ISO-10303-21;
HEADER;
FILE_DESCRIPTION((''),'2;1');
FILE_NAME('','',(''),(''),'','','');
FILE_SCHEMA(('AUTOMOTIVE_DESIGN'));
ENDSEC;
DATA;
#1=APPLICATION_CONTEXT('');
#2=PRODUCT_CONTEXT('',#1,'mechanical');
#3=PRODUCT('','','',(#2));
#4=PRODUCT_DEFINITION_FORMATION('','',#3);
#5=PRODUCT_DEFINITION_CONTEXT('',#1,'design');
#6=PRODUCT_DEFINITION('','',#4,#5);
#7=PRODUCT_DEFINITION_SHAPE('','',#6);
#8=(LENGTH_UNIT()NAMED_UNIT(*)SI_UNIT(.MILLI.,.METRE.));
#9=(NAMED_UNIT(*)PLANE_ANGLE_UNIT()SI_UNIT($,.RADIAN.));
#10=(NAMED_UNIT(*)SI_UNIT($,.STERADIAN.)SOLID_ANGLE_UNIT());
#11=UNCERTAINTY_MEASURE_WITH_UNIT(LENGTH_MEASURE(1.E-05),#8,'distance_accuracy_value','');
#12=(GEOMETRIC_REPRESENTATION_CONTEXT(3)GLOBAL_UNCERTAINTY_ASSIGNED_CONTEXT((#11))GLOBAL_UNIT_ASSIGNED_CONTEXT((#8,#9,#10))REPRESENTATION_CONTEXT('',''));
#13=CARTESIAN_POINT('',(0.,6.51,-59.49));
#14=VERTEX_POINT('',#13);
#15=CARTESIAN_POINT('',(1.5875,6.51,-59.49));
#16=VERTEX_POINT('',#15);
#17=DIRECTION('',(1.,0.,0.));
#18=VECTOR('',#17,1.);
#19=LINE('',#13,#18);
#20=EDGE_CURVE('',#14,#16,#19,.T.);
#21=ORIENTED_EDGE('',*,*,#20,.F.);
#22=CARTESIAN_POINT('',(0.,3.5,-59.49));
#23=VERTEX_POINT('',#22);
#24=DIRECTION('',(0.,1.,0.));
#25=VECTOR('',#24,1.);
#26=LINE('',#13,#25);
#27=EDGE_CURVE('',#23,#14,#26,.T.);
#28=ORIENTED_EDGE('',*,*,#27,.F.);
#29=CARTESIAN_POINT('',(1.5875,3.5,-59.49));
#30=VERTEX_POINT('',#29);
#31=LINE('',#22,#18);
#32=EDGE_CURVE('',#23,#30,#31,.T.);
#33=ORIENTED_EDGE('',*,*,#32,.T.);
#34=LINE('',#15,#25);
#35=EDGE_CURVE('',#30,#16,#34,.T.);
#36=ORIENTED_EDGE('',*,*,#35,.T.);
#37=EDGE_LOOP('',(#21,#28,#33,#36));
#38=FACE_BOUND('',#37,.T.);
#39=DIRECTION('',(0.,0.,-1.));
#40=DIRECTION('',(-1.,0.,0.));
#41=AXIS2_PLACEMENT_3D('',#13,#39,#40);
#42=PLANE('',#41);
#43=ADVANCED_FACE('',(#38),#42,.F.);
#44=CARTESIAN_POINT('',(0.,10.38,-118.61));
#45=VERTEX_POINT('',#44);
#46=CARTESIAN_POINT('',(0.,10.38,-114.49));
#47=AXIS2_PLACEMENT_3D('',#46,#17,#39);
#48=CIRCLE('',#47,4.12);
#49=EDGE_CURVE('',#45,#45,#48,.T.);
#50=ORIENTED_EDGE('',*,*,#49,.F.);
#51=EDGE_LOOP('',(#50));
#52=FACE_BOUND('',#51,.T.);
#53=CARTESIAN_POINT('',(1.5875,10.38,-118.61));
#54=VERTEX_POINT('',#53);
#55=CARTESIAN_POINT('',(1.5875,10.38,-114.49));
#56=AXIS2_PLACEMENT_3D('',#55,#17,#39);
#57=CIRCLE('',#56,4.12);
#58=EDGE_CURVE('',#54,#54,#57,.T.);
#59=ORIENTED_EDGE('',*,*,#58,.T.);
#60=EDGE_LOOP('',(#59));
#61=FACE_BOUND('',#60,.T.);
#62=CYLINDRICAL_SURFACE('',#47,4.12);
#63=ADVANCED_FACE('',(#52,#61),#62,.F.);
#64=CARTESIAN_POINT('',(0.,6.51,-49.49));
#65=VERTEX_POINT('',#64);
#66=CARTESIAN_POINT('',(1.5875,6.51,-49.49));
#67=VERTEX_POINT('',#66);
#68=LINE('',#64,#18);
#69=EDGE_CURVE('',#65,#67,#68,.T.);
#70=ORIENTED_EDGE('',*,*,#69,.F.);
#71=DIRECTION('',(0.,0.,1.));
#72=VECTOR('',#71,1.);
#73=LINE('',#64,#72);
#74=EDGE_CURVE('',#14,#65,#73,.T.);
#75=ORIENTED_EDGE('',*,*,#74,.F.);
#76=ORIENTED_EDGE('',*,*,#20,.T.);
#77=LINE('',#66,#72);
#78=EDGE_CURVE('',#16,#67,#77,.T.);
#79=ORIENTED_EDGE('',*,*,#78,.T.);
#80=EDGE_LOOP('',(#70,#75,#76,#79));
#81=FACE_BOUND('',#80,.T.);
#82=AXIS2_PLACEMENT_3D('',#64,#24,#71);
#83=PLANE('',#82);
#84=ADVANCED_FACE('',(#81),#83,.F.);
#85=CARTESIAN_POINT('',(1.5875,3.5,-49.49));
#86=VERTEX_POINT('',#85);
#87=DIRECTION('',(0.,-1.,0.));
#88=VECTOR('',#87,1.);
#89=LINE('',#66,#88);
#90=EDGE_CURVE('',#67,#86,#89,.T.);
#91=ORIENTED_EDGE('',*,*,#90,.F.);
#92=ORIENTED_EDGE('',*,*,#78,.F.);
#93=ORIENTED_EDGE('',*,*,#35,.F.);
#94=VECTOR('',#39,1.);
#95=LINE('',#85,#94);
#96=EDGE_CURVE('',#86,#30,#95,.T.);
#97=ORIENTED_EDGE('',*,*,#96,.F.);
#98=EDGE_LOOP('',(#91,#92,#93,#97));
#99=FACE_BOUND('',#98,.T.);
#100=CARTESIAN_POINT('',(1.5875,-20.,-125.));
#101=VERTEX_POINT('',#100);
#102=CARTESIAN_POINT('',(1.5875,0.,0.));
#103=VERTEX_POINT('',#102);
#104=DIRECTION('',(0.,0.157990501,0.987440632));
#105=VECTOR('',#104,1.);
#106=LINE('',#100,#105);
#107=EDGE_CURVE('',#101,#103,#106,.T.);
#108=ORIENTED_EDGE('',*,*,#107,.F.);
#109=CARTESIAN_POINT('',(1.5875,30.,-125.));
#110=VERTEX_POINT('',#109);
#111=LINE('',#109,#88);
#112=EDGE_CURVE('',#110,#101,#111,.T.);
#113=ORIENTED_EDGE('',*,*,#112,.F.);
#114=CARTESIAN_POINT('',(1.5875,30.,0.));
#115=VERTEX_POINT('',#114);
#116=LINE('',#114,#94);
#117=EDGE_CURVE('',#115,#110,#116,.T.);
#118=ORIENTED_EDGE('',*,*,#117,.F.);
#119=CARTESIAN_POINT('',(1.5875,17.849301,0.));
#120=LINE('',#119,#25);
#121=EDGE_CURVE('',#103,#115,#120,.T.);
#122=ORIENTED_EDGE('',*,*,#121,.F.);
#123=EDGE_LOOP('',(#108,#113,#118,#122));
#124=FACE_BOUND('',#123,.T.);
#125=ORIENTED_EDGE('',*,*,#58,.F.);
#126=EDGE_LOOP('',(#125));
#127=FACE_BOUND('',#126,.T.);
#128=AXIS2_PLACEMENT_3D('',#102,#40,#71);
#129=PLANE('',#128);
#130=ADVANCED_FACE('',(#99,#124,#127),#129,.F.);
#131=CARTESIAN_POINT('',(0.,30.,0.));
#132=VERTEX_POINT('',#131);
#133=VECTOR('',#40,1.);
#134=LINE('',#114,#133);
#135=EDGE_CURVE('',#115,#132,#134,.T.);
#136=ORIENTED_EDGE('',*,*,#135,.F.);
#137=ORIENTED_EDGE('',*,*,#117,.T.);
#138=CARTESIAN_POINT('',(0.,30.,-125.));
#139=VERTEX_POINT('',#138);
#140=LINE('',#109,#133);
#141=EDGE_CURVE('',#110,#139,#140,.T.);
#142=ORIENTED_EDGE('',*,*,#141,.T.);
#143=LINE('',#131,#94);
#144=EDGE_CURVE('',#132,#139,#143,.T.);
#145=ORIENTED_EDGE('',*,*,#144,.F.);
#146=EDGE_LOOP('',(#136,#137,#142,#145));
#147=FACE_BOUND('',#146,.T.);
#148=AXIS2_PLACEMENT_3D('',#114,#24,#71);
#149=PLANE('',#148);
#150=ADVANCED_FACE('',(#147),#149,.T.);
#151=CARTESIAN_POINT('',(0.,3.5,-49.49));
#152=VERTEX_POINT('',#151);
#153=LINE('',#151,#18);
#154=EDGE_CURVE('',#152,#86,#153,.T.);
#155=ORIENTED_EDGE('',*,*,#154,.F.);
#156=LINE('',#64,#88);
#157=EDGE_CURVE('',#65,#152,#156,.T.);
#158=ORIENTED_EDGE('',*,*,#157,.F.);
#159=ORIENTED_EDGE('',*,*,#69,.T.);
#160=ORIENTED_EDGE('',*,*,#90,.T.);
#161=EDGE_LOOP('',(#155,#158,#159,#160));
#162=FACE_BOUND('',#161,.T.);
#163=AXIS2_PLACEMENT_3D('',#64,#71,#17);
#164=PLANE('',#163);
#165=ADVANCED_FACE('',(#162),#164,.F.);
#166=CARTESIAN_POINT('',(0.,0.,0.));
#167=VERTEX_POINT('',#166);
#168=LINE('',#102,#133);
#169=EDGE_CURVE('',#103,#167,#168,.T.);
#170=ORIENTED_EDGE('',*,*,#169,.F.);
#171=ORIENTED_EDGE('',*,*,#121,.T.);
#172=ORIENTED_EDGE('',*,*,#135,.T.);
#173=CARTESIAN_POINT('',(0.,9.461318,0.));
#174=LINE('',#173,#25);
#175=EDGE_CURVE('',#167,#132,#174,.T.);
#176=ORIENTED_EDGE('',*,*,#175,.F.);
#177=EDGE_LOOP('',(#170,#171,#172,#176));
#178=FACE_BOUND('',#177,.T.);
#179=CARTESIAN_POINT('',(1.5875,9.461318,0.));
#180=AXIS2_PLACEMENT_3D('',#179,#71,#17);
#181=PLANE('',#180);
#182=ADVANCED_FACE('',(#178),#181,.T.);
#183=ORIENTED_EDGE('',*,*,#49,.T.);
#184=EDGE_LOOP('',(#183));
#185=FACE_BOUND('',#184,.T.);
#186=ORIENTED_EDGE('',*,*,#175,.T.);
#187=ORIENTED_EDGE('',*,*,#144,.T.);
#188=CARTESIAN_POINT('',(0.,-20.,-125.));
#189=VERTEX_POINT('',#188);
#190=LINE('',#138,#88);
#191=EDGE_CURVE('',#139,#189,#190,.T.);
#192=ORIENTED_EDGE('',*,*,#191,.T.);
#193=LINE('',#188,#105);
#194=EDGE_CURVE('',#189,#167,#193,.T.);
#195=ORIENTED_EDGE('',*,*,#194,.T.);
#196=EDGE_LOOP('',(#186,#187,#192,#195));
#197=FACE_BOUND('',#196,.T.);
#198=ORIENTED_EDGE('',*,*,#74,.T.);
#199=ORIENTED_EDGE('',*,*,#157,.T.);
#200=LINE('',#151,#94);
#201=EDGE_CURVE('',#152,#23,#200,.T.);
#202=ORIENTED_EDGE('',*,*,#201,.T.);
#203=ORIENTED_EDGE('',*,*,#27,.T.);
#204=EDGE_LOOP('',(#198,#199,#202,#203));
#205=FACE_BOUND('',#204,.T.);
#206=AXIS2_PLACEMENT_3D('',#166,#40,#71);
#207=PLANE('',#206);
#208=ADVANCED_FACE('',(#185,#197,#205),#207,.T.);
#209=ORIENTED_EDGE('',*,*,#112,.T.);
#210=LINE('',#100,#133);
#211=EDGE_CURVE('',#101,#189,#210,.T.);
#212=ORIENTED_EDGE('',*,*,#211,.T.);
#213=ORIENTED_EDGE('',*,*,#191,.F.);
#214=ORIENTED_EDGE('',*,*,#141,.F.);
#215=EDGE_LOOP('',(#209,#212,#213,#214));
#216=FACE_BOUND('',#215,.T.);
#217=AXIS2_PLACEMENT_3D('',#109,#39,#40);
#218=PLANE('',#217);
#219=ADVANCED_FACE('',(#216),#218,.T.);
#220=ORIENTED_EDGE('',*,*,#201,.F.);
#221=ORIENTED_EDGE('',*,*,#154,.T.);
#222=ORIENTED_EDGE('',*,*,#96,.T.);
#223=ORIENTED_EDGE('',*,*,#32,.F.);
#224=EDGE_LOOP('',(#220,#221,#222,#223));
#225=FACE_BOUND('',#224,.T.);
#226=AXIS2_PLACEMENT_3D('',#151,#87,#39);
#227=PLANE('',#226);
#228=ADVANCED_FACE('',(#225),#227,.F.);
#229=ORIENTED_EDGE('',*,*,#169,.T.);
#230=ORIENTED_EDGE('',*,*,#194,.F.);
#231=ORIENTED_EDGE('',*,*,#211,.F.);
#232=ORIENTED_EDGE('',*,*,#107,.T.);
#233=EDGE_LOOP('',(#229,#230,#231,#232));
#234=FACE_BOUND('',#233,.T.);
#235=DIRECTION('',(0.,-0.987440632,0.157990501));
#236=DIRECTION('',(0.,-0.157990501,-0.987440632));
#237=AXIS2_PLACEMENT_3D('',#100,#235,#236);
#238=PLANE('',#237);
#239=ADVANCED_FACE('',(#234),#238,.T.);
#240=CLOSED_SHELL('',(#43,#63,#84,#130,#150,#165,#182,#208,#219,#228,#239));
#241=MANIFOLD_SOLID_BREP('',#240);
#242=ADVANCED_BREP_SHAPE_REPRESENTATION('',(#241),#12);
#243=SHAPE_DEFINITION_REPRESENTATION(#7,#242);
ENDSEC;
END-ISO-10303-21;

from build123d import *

# Parameters (mm, degrees)
BOSS_EXTRUDE1_DEPTH = 1.5875
SKETCH2_R           = 4.12
SKETCH2_W           = 10
SKETCH2_H           = 3.01
CUT_EXTRUDE1_DEPTH  = 1.5875


with BuildPart() as part:
    # Sketch1 → Boss-Extrude1 (new body)
    with BuildSketch(Plane(origin=(0, 0, 0), x_dir=(0, 0, -1), z_dir=(1, 0, 0))):
        Polygon((0, 17.849301165), (0, 30), (125, 30), (125, -20), (0, 0), (0, 4.461317534), (0, 9.461317534), align=None)
    extrude(amount=BOSS_EXTRUDE1_DEPTH)

    # Sketch2 → Cut-Extrude1 (cut)
    with BuildSketch(Plane(origin=(1.5875, 0, 0), x_dir=(0, 0, -1), z_dir=(1, 0, 0))):
        with Locations((114.49, 10.38)):
            Circle(SKETCH2_R)
        with Locations((54.49, 5.005)):
            Rectangle(SKETCH2_W, SKETCH2_H)
    extrude(amount=-CUT_EXTRUDE1_DEPTH, mode=Mode.SUBTRACT)


solid = part.part
